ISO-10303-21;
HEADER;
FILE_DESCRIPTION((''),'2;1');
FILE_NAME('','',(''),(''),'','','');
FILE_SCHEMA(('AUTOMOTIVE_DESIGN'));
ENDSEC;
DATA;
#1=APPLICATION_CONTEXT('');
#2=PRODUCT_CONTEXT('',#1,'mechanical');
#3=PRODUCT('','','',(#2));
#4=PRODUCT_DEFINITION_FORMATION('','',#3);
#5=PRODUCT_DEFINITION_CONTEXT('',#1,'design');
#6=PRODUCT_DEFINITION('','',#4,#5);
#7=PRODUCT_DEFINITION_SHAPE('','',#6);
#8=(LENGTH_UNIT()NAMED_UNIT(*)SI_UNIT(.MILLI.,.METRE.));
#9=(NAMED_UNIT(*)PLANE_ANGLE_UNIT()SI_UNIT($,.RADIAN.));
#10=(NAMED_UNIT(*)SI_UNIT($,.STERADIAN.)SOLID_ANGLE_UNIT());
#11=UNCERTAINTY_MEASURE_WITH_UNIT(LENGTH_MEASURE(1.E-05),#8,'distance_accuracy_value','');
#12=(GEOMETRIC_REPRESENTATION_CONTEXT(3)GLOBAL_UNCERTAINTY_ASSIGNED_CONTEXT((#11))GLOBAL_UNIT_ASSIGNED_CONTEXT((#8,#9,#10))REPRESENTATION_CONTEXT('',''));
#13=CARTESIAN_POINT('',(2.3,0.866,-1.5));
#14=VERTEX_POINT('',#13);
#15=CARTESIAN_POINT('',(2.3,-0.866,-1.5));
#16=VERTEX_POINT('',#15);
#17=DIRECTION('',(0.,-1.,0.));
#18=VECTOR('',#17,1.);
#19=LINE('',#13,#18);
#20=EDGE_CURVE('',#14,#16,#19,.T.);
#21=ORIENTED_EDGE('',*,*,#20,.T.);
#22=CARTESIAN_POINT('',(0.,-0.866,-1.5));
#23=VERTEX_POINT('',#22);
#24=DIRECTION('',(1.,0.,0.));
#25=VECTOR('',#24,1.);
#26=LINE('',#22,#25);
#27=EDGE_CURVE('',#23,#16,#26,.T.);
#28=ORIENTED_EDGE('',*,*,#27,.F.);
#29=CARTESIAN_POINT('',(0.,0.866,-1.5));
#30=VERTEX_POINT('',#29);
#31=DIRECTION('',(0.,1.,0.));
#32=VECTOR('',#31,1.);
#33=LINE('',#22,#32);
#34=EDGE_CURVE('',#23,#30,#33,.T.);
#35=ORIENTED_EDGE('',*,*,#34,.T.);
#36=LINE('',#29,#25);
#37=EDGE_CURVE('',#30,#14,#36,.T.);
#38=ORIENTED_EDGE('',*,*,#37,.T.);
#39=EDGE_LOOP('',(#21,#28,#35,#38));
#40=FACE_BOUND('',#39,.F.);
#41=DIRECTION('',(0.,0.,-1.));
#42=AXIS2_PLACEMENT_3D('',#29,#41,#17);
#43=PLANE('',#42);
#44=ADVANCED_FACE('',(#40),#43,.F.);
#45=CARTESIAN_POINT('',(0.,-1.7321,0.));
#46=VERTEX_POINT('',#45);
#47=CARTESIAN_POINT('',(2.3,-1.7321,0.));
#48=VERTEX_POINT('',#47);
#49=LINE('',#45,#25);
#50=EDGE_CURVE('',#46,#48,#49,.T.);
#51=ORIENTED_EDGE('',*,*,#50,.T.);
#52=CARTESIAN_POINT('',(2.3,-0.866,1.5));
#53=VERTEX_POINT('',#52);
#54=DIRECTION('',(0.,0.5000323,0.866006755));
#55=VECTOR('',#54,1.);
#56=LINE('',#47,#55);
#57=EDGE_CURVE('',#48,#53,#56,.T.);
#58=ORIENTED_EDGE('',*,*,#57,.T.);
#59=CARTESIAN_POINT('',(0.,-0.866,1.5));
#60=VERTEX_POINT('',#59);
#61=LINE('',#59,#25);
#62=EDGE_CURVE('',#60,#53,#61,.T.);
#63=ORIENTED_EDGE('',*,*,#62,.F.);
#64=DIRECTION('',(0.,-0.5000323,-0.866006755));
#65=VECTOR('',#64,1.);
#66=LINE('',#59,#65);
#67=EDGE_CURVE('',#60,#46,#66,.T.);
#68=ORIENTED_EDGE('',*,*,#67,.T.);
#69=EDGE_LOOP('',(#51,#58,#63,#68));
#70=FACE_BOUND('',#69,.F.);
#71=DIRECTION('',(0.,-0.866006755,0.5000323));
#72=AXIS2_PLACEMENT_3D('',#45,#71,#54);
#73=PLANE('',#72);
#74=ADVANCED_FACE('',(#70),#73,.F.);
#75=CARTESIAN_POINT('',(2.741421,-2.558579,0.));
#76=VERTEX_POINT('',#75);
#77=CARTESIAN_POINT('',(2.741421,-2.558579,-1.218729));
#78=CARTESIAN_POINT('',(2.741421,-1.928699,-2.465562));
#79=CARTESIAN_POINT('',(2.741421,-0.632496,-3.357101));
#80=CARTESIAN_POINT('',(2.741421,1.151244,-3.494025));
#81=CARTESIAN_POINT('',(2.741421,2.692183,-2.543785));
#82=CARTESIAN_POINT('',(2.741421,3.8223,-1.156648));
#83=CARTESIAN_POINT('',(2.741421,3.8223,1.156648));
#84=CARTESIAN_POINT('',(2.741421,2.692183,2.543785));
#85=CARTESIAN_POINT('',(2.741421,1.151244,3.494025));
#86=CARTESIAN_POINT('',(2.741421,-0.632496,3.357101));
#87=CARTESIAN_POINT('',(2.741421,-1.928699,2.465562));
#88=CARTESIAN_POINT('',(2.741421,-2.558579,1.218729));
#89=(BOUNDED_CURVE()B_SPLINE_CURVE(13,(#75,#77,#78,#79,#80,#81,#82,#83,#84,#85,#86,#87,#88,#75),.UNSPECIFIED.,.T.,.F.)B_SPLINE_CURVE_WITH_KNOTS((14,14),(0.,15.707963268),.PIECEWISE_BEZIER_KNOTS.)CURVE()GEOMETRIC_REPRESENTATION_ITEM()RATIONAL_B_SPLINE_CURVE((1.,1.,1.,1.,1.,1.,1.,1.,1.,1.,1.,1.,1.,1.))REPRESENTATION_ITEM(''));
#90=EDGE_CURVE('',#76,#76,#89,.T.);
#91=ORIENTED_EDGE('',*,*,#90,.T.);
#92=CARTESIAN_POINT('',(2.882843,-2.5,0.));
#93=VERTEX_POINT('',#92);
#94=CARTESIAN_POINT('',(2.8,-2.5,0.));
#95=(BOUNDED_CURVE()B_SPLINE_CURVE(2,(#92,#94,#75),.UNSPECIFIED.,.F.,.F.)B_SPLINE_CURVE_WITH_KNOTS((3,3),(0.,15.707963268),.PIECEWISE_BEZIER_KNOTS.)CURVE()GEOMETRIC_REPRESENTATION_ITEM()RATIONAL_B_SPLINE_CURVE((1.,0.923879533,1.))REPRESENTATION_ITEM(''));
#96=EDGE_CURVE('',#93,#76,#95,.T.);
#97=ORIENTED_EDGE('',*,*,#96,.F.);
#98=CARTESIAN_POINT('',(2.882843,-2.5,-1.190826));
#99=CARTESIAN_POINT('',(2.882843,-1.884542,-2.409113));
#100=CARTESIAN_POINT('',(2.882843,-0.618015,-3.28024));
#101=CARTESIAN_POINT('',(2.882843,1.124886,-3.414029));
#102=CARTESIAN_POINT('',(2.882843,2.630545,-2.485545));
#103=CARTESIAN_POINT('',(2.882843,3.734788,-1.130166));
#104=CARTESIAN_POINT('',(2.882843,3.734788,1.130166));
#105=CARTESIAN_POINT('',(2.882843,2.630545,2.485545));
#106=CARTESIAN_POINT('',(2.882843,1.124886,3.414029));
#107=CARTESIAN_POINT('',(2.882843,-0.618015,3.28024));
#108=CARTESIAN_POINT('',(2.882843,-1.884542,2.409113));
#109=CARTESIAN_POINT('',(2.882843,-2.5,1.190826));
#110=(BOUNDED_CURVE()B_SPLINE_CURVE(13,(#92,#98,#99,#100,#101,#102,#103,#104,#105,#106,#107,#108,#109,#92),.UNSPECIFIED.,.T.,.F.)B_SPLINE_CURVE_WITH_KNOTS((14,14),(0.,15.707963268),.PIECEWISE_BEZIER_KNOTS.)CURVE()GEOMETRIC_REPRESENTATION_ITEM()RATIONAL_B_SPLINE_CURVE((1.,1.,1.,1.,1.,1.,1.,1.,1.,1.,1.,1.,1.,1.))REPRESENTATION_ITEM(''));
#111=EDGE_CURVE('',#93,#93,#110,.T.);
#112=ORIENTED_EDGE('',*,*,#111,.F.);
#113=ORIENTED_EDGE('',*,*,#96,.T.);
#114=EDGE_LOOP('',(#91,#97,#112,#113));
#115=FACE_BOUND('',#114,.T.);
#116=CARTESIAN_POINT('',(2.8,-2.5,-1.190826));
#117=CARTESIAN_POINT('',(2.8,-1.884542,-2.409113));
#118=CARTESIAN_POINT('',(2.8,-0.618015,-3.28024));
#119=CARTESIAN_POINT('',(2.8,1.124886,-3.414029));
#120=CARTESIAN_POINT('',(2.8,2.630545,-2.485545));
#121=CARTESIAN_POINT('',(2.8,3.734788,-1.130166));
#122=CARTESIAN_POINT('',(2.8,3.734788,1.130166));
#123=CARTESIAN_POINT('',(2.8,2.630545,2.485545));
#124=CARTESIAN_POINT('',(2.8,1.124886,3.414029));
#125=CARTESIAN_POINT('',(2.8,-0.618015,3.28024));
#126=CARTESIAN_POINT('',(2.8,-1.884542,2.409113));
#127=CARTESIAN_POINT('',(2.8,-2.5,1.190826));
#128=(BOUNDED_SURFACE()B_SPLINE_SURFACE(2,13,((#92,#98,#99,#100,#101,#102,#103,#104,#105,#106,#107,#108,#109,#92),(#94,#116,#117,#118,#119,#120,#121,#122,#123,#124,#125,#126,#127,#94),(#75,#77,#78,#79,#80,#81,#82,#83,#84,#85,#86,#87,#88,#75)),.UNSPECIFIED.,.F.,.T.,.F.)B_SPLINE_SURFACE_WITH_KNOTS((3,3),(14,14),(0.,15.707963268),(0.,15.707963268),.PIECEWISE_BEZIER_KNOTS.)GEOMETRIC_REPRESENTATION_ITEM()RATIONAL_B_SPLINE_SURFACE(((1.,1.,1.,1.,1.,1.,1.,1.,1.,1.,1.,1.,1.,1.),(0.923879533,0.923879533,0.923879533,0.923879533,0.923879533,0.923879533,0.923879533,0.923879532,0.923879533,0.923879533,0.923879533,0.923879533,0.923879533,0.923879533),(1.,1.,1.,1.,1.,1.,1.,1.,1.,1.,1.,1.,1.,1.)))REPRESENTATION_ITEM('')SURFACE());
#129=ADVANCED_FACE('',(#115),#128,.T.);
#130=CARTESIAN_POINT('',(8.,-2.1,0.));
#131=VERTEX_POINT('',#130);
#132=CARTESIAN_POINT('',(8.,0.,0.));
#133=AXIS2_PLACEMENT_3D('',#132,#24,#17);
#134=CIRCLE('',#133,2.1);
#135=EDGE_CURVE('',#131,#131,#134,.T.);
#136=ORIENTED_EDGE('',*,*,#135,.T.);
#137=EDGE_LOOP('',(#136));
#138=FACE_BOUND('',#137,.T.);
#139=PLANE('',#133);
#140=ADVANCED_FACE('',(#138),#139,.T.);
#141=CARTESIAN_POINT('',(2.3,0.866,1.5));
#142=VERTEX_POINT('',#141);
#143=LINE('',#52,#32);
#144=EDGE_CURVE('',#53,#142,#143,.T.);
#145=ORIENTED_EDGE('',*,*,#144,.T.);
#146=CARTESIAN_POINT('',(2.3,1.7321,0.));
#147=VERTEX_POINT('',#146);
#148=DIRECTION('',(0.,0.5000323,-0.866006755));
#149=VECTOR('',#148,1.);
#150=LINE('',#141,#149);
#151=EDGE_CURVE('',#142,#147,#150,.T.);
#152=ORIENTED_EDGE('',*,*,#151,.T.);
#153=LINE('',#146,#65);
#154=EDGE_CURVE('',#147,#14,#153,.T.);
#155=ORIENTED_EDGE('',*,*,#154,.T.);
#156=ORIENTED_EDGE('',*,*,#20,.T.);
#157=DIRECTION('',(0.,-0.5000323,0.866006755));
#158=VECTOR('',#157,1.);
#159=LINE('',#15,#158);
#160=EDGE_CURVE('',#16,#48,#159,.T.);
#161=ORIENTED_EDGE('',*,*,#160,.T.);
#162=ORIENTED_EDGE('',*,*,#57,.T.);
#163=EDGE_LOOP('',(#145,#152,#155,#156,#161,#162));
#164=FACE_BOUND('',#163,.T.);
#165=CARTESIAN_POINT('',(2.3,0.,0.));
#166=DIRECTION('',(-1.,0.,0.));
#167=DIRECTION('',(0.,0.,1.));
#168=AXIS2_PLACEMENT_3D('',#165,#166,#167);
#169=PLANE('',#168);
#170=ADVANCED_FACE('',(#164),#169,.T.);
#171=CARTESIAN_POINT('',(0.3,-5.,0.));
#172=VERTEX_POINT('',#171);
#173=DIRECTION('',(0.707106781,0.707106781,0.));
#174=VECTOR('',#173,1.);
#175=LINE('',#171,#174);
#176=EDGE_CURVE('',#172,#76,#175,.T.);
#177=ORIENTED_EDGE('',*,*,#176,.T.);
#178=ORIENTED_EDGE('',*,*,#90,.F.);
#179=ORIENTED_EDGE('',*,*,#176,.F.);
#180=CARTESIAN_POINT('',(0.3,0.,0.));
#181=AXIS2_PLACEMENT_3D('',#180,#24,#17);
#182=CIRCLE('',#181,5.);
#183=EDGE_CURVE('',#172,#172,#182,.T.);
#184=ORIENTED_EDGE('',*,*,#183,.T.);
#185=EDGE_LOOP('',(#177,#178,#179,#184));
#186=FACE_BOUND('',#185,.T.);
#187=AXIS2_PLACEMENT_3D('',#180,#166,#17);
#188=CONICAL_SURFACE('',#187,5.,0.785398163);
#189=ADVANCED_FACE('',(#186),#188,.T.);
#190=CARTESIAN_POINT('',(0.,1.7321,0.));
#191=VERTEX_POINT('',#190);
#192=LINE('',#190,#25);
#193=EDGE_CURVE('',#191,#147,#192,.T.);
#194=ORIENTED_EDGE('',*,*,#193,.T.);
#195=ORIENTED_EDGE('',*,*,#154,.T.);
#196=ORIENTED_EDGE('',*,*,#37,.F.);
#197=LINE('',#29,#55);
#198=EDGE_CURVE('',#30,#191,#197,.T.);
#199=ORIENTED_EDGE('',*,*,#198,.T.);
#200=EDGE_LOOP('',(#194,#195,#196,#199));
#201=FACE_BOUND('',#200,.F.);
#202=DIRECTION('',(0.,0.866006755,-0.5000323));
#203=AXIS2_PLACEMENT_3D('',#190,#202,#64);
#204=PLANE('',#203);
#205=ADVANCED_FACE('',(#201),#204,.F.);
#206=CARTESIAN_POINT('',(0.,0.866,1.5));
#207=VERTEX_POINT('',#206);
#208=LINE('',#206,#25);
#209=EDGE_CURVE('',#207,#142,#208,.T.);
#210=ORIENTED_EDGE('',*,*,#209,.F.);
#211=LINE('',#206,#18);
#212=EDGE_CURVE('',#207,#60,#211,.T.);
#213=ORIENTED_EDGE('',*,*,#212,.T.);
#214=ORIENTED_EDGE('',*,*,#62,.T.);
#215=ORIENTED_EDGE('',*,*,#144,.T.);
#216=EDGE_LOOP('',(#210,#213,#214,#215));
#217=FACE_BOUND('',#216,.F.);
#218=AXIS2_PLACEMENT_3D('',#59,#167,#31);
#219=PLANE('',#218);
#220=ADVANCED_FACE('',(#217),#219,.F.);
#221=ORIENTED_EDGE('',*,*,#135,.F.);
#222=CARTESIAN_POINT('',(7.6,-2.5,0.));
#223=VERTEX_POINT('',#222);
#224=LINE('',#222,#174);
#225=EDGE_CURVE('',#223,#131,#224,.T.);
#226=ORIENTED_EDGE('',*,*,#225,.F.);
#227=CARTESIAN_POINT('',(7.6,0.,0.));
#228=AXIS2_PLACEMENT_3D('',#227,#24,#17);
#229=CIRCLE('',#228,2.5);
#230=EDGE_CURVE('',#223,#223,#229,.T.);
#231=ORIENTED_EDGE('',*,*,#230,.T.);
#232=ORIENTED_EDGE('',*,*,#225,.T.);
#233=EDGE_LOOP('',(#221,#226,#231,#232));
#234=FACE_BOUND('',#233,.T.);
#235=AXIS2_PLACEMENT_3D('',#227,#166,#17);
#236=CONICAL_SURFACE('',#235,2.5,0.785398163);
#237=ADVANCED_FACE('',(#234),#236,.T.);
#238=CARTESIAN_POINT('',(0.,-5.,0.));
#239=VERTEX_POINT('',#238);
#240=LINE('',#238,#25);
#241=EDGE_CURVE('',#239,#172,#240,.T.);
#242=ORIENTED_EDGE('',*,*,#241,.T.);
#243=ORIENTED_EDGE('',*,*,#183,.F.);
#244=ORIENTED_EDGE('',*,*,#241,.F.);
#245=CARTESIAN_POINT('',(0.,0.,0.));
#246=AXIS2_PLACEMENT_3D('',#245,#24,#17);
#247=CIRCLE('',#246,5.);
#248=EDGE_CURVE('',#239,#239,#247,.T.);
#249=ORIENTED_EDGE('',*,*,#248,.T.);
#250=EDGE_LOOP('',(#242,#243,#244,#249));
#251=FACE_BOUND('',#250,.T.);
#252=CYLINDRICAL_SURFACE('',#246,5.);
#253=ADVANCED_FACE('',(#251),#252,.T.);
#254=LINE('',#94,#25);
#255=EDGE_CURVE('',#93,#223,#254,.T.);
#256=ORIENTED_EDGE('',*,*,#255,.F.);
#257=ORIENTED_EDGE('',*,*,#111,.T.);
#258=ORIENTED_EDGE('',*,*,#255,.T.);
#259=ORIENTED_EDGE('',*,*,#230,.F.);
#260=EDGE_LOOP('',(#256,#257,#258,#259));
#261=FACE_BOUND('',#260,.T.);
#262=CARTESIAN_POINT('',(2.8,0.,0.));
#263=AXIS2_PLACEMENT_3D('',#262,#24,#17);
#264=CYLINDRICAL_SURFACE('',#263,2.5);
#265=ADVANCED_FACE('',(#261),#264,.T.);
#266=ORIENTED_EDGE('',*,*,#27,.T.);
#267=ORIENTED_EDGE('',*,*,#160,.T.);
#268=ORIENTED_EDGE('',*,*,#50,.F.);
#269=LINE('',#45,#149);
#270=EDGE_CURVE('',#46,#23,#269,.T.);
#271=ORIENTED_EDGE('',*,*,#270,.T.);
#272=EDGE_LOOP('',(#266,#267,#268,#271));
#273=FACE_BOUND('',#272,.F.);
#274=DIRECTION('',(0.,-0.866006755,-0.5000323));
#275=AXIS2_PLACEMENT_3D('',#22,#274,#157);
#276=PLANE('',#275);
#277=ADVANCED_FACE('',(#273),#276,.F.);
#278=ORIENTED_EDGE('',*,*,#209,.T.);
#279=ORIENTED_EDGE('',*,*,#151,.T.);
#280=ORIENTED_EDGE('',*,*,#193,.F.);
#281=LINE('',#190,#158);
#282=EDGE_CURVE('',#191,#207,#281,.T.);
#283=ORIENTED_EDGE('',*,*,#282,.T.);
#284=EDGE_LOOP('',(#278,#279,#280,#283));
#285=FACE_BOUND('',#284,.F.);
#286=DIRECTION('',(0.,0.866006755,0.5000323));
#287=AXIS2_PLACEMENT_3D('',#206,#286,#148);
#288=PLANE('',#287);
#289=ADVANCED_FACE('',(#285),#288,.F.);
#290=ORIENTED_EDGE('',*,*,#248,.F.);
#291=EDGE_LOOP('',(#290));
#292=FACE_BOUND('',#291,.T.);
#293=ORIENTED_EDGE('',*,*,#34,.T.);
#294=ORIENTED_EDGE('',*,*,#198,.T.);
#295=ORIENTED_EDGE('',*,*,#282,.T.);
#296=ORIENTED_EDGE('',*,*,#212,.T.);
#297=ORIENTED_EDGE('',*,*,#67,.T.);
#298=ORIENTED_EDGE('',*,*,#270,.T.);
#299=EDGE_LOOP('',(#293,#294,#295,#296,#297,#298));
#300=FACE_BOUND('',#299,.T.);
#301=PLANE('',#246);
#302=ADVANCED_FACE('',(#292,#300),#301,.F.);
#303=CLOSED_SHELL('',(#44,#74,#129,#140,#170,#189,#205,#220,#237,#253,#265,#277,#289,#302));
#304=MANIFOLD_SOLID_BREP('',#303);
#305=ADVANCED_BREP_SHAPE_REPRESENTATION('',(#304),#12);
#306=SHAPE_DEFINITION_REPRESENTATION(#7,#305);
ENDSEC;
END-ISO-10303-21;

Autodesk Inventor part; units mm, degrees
ref_plane "YZ Plane" through (0, 0, 0) normal (1, 0, 0) x (0, 1, 0)
sketch "Skizze1" plane through (0, 0, 0) normal (0, 1, 0) x (-1, 0, 0)
  point P0 (0, 0)
sketch "Skizze2" plane through (0, 0, 0) normal (0, 0, 1) x (-1, 0, 0)
  line L0 (-8, 2.5) -> (-8, 0)
  line L1 (-2.8, 2.5) -> (-8, 2.5)
  line L2 (-0.3, 5) -> (-2.8, 2.5)
  line L3 (0, 5) -> (-0.3, 5)
  line L4 (0, 0) -> (0, 5)
  line L5 (-8, 0) -> (0, 0)
  line L6 (-8, 0) -> (0, 0)
  line L7 (0, -9.6) -> (0, 1.6) projected
  line L8 (1.6, 0) -> (-9.6, 0) projected
  dimension "ParC" = 0.3
  dimension "d43" = 45
  dimension "d44" = 5
  dimension "d45" = 2.5
  dimension "d46" = 8
  dimension "d47" = 0
  dimension "d48" = 0
revolve "Drehung1" add sketch "Skizze2" angle 360 about axis through (8, 0, 0) along (1, 0, 0)
sketch "Skizze3" plane through (0, 0, 0) normal (-1, 0, 0) x (0, 0, 1)
  line L0 (-1.5, 0.866) -> (-1.5, -0.866)
  line L1 (0, 1.7321) -> (-1.5, 0.866)
  line L2 (1.5, 0.866) -> (0, 1.7321)
  line L3 (1.5, -0.866) -> (1.5, 0.866)
  line L4 (0, -1.7321) -> (1.5, -0.866)
  line L5 (-1.5, -0.866) -> (0, -1.7321)
  circle A0 centre (0, 0) radius 1.5 construction
  circle A1 centre (0, 0) radius 2.5 construction
  dimension "d11" = 3
  dimension "d13" = 120
  dimension "d15" = 120
extrude "Extrusion1" cut sketch "Skizze3" against normal blind 2.3
fillet "Rundung1" radius 0.2 1 edges at (2.8, 2.5, 0)
chamfer "Fase1" distance 0.4 angle 45 1 edges at (8, 2.5, 0) measured on face at (6.2943, 0.599, -2.4272)
thread "Gewinde1" size "M5x0.8" class "6g" standard "ISO Metric profile" length 3.6
ref_plane "MSC_PF1" through (0, 0, 0) normal (1, 0, 0) x (0, 1, 0)
ref_plane "MSC_PT1" through (0, 0, 0) normal (1, 0, 0) x (0, 1, 0)
equation "\"d43\" = 0.5 * ang"
equation "\"d44\" = 0.5 * dk"
equation "\"d45\" = 0.5 * NND"
equation "\"d46\" = NLG"
equation "\"d11\" = ParS"
equation "\"d16\" = ParT"
equation "\"d18\" = r"
equation "\"d19\" = 0.5 * PTC"
equation "\"d39\" = 0.5 * PTC"
equation "\"NND\" = 5"
equation "\"PTC\" = 0.8"
equation "\"ParK\" = 2.8"
equation "\"ParS\" = 3"
equation "\"ParT\" = 2.3"
equation "\"r\" = 0.2"
equation "\"NLG\" = 8"
equation "\"ang\" = 90deg"
equation "\"THREADDIA\" = NND"
equation "\"dk\" = 10"
properties part number "ISO 10642 - M5 x  8" material "Stahl"
